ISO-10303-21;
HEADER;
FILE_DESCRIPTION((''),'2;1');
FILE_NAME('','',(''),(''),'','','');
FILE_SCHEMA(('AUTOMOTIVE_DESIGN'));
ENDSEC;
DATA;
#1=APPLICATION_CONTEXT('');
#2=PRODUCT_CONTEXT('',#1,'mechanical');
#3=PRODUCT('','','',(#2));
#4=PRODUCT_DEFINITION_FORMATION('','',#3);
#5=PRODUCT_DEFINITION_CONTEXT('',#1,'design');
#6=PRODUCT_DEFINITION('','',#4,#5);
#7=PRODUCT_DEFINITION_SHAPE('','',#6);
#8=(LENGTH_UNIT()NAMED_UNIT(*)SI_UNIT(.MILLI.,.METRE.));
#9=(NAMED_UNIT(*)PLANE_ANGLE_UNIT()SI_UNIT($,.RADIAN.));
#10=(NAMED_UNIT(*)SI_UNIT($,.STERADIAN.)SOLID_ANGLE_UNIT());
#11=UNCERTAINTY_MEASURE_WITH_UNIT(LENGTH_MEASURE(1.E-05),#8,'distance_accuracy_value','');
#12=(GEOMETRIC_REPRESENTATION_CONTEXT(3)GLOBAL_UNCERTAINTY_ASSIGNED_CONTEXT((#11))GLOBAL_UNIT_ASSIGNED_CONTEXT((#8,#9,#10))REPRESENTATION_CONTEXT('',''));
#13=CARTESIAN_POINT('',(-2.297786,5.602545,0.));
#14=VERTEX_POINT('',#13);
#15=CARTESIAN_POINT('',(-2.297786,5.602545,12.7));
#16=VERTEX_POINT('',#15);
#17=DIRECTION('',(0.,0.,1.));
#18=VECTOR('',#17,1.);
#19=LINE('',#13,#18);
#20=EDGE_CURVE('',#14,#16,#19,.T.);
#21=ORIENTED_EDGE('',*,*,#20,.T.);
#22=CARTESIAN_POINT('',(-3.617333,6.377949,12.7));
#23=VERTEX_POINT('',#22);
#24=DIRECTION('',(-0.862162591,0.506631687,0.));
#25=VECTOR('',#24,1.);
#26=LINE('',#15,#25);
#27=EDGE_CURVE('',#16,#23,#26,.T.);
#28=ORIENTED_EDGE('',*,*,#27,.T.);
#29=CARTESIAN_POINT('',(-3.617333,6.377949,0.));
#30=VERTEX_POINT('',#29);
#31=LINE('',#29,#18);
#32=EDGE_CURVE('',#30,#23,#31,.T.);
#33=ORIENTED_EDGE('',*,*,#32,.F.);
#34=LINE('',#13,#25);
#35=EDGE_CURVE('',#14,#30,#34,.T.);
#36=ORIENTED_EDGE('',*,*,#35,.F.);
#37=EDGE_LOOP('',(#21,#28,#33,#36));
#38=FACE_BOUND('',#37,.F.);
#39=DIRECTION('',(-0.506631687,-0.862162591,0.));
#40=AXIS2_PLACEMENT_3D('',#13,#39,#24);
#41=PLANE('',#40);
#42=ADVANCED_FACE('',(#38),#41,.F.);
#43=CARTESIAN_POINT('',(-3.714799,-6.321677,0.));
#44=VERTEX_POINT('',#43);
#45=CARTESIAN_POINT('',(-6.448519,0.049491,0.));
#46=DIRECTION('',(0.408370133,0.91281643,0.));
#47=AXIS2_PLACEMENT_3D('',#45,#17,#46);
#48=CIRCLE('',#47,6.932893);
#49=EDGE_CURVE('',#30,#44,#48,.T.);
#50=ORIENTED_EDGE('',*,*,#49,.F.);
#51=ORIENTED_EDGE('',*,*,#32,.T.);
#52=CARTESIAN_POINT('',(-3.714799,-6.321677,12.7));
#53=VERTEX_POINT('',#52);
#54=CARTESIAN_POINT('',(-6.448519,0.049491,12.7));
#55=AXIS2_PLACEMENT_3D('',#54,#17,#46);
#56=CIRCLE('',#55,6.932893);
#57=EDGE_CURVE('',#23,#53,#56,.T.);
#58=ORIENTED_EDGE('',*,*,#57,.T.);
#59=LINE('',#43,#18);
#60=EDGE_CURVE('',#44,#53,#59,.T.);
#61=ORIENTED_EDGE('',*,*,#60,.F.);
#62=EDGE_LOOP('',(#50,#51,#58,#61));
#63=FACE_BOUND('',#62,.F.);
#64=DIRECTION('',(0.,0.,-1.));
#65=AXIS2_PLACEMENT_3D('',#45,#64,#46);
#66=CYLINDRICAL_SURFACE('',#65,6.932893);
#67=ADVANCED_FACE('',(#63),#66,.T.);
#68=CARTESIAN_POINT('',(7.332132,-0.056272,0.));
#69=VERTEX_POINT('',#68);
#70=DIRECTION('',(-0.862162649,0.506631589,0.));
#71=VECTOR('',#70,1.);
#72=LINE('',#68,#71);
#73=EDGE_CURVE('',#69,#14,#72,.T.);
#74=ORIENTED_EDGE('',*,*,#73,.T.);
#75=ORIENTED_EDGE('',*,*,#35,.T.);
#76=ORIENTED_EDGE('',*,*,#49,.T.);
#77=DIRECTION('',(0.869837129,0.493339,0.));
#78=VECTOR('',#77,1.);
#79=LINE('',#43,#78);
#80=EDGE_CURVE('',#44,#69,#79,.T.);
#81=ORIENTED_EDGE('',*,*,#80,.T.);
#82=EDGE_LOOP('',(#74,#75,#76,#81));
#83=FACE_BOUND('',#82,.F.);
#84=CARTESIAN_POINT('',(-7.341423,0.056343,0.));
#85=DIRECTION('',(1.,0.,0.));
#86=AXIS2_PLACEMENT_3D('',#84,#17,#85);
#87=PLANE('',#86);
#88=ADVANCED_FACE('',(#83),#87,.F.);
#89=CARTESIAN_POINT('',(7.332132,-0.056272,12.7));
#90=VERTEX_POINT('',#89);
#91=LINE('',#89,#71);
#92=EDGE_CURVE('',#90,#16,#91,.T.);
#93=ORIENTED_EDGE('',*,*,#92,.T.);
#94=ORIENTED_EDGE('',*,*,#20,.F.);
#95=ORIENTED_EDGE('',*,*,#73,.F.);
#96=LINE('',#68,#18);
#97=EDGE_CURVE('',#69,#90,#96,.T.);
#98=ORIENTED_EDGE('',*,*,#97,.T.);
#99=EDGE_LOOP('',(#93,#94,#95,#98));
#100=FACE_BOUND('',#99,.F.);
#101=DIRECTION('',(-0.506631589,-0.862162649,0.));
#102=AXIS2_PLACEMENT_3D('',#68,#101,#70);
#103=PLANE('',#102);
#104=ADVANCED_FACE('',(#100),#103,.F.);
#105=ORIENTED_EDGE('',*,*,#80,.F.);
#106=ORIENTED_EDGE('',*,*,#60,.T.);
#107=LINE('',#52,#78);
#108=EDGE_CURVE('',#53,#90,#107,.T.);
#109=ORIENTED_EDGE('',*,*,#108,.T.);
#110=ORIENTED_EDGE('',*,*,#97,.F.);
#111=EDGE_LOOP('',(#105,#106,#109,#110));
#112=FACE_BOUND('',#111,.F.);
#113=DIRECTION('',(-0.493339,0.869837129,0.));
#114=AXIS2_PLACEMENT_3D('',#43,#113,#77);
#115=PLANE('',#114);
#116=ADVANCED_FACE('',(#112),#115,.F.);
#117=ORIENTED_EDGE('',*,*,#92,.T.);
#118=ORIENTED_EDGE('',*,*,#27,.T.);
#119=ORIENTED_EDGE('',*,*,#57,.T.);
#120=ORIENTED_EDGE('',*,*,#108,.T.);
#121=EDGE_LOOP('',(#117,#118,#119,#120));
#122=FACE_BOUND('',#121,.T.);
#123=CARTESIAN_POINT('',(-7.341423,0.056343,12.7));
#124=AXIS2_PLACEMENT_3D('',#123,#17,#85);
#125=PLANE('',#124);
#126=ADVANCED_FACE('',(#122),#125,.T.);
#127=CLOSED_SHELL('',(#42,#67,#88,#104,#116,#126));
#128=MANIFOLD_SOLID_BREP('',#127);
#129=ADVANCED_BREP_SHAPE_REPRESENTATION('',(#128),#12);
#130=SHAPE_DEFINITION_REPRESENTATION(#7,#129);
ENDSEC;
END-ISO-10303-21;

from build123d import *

# Parameters (mm, degrees)
F1_DEPTH = 12.7


with BuildPart() as f1:
    # F0 (on Top) → F1 (new body)
    with BuildSketch(Plane.XY):
        with BuildLine():
            ThreePointArc((-3.617333, 6.377949), (-13.381208, 0.102697), (-3.714799, -6.321677))
            Line((-3.714799, -6.321677), (-3.617333, 6.377949))
        make_face()
        Polygon((-3.617333, 6.377949), (-3.714799, -6.321677), (7.332132, -0.056272), (-2.297786, 5.602545), align=None)
    extrude(amount=F1_DEPTH)


solid = f1.part
